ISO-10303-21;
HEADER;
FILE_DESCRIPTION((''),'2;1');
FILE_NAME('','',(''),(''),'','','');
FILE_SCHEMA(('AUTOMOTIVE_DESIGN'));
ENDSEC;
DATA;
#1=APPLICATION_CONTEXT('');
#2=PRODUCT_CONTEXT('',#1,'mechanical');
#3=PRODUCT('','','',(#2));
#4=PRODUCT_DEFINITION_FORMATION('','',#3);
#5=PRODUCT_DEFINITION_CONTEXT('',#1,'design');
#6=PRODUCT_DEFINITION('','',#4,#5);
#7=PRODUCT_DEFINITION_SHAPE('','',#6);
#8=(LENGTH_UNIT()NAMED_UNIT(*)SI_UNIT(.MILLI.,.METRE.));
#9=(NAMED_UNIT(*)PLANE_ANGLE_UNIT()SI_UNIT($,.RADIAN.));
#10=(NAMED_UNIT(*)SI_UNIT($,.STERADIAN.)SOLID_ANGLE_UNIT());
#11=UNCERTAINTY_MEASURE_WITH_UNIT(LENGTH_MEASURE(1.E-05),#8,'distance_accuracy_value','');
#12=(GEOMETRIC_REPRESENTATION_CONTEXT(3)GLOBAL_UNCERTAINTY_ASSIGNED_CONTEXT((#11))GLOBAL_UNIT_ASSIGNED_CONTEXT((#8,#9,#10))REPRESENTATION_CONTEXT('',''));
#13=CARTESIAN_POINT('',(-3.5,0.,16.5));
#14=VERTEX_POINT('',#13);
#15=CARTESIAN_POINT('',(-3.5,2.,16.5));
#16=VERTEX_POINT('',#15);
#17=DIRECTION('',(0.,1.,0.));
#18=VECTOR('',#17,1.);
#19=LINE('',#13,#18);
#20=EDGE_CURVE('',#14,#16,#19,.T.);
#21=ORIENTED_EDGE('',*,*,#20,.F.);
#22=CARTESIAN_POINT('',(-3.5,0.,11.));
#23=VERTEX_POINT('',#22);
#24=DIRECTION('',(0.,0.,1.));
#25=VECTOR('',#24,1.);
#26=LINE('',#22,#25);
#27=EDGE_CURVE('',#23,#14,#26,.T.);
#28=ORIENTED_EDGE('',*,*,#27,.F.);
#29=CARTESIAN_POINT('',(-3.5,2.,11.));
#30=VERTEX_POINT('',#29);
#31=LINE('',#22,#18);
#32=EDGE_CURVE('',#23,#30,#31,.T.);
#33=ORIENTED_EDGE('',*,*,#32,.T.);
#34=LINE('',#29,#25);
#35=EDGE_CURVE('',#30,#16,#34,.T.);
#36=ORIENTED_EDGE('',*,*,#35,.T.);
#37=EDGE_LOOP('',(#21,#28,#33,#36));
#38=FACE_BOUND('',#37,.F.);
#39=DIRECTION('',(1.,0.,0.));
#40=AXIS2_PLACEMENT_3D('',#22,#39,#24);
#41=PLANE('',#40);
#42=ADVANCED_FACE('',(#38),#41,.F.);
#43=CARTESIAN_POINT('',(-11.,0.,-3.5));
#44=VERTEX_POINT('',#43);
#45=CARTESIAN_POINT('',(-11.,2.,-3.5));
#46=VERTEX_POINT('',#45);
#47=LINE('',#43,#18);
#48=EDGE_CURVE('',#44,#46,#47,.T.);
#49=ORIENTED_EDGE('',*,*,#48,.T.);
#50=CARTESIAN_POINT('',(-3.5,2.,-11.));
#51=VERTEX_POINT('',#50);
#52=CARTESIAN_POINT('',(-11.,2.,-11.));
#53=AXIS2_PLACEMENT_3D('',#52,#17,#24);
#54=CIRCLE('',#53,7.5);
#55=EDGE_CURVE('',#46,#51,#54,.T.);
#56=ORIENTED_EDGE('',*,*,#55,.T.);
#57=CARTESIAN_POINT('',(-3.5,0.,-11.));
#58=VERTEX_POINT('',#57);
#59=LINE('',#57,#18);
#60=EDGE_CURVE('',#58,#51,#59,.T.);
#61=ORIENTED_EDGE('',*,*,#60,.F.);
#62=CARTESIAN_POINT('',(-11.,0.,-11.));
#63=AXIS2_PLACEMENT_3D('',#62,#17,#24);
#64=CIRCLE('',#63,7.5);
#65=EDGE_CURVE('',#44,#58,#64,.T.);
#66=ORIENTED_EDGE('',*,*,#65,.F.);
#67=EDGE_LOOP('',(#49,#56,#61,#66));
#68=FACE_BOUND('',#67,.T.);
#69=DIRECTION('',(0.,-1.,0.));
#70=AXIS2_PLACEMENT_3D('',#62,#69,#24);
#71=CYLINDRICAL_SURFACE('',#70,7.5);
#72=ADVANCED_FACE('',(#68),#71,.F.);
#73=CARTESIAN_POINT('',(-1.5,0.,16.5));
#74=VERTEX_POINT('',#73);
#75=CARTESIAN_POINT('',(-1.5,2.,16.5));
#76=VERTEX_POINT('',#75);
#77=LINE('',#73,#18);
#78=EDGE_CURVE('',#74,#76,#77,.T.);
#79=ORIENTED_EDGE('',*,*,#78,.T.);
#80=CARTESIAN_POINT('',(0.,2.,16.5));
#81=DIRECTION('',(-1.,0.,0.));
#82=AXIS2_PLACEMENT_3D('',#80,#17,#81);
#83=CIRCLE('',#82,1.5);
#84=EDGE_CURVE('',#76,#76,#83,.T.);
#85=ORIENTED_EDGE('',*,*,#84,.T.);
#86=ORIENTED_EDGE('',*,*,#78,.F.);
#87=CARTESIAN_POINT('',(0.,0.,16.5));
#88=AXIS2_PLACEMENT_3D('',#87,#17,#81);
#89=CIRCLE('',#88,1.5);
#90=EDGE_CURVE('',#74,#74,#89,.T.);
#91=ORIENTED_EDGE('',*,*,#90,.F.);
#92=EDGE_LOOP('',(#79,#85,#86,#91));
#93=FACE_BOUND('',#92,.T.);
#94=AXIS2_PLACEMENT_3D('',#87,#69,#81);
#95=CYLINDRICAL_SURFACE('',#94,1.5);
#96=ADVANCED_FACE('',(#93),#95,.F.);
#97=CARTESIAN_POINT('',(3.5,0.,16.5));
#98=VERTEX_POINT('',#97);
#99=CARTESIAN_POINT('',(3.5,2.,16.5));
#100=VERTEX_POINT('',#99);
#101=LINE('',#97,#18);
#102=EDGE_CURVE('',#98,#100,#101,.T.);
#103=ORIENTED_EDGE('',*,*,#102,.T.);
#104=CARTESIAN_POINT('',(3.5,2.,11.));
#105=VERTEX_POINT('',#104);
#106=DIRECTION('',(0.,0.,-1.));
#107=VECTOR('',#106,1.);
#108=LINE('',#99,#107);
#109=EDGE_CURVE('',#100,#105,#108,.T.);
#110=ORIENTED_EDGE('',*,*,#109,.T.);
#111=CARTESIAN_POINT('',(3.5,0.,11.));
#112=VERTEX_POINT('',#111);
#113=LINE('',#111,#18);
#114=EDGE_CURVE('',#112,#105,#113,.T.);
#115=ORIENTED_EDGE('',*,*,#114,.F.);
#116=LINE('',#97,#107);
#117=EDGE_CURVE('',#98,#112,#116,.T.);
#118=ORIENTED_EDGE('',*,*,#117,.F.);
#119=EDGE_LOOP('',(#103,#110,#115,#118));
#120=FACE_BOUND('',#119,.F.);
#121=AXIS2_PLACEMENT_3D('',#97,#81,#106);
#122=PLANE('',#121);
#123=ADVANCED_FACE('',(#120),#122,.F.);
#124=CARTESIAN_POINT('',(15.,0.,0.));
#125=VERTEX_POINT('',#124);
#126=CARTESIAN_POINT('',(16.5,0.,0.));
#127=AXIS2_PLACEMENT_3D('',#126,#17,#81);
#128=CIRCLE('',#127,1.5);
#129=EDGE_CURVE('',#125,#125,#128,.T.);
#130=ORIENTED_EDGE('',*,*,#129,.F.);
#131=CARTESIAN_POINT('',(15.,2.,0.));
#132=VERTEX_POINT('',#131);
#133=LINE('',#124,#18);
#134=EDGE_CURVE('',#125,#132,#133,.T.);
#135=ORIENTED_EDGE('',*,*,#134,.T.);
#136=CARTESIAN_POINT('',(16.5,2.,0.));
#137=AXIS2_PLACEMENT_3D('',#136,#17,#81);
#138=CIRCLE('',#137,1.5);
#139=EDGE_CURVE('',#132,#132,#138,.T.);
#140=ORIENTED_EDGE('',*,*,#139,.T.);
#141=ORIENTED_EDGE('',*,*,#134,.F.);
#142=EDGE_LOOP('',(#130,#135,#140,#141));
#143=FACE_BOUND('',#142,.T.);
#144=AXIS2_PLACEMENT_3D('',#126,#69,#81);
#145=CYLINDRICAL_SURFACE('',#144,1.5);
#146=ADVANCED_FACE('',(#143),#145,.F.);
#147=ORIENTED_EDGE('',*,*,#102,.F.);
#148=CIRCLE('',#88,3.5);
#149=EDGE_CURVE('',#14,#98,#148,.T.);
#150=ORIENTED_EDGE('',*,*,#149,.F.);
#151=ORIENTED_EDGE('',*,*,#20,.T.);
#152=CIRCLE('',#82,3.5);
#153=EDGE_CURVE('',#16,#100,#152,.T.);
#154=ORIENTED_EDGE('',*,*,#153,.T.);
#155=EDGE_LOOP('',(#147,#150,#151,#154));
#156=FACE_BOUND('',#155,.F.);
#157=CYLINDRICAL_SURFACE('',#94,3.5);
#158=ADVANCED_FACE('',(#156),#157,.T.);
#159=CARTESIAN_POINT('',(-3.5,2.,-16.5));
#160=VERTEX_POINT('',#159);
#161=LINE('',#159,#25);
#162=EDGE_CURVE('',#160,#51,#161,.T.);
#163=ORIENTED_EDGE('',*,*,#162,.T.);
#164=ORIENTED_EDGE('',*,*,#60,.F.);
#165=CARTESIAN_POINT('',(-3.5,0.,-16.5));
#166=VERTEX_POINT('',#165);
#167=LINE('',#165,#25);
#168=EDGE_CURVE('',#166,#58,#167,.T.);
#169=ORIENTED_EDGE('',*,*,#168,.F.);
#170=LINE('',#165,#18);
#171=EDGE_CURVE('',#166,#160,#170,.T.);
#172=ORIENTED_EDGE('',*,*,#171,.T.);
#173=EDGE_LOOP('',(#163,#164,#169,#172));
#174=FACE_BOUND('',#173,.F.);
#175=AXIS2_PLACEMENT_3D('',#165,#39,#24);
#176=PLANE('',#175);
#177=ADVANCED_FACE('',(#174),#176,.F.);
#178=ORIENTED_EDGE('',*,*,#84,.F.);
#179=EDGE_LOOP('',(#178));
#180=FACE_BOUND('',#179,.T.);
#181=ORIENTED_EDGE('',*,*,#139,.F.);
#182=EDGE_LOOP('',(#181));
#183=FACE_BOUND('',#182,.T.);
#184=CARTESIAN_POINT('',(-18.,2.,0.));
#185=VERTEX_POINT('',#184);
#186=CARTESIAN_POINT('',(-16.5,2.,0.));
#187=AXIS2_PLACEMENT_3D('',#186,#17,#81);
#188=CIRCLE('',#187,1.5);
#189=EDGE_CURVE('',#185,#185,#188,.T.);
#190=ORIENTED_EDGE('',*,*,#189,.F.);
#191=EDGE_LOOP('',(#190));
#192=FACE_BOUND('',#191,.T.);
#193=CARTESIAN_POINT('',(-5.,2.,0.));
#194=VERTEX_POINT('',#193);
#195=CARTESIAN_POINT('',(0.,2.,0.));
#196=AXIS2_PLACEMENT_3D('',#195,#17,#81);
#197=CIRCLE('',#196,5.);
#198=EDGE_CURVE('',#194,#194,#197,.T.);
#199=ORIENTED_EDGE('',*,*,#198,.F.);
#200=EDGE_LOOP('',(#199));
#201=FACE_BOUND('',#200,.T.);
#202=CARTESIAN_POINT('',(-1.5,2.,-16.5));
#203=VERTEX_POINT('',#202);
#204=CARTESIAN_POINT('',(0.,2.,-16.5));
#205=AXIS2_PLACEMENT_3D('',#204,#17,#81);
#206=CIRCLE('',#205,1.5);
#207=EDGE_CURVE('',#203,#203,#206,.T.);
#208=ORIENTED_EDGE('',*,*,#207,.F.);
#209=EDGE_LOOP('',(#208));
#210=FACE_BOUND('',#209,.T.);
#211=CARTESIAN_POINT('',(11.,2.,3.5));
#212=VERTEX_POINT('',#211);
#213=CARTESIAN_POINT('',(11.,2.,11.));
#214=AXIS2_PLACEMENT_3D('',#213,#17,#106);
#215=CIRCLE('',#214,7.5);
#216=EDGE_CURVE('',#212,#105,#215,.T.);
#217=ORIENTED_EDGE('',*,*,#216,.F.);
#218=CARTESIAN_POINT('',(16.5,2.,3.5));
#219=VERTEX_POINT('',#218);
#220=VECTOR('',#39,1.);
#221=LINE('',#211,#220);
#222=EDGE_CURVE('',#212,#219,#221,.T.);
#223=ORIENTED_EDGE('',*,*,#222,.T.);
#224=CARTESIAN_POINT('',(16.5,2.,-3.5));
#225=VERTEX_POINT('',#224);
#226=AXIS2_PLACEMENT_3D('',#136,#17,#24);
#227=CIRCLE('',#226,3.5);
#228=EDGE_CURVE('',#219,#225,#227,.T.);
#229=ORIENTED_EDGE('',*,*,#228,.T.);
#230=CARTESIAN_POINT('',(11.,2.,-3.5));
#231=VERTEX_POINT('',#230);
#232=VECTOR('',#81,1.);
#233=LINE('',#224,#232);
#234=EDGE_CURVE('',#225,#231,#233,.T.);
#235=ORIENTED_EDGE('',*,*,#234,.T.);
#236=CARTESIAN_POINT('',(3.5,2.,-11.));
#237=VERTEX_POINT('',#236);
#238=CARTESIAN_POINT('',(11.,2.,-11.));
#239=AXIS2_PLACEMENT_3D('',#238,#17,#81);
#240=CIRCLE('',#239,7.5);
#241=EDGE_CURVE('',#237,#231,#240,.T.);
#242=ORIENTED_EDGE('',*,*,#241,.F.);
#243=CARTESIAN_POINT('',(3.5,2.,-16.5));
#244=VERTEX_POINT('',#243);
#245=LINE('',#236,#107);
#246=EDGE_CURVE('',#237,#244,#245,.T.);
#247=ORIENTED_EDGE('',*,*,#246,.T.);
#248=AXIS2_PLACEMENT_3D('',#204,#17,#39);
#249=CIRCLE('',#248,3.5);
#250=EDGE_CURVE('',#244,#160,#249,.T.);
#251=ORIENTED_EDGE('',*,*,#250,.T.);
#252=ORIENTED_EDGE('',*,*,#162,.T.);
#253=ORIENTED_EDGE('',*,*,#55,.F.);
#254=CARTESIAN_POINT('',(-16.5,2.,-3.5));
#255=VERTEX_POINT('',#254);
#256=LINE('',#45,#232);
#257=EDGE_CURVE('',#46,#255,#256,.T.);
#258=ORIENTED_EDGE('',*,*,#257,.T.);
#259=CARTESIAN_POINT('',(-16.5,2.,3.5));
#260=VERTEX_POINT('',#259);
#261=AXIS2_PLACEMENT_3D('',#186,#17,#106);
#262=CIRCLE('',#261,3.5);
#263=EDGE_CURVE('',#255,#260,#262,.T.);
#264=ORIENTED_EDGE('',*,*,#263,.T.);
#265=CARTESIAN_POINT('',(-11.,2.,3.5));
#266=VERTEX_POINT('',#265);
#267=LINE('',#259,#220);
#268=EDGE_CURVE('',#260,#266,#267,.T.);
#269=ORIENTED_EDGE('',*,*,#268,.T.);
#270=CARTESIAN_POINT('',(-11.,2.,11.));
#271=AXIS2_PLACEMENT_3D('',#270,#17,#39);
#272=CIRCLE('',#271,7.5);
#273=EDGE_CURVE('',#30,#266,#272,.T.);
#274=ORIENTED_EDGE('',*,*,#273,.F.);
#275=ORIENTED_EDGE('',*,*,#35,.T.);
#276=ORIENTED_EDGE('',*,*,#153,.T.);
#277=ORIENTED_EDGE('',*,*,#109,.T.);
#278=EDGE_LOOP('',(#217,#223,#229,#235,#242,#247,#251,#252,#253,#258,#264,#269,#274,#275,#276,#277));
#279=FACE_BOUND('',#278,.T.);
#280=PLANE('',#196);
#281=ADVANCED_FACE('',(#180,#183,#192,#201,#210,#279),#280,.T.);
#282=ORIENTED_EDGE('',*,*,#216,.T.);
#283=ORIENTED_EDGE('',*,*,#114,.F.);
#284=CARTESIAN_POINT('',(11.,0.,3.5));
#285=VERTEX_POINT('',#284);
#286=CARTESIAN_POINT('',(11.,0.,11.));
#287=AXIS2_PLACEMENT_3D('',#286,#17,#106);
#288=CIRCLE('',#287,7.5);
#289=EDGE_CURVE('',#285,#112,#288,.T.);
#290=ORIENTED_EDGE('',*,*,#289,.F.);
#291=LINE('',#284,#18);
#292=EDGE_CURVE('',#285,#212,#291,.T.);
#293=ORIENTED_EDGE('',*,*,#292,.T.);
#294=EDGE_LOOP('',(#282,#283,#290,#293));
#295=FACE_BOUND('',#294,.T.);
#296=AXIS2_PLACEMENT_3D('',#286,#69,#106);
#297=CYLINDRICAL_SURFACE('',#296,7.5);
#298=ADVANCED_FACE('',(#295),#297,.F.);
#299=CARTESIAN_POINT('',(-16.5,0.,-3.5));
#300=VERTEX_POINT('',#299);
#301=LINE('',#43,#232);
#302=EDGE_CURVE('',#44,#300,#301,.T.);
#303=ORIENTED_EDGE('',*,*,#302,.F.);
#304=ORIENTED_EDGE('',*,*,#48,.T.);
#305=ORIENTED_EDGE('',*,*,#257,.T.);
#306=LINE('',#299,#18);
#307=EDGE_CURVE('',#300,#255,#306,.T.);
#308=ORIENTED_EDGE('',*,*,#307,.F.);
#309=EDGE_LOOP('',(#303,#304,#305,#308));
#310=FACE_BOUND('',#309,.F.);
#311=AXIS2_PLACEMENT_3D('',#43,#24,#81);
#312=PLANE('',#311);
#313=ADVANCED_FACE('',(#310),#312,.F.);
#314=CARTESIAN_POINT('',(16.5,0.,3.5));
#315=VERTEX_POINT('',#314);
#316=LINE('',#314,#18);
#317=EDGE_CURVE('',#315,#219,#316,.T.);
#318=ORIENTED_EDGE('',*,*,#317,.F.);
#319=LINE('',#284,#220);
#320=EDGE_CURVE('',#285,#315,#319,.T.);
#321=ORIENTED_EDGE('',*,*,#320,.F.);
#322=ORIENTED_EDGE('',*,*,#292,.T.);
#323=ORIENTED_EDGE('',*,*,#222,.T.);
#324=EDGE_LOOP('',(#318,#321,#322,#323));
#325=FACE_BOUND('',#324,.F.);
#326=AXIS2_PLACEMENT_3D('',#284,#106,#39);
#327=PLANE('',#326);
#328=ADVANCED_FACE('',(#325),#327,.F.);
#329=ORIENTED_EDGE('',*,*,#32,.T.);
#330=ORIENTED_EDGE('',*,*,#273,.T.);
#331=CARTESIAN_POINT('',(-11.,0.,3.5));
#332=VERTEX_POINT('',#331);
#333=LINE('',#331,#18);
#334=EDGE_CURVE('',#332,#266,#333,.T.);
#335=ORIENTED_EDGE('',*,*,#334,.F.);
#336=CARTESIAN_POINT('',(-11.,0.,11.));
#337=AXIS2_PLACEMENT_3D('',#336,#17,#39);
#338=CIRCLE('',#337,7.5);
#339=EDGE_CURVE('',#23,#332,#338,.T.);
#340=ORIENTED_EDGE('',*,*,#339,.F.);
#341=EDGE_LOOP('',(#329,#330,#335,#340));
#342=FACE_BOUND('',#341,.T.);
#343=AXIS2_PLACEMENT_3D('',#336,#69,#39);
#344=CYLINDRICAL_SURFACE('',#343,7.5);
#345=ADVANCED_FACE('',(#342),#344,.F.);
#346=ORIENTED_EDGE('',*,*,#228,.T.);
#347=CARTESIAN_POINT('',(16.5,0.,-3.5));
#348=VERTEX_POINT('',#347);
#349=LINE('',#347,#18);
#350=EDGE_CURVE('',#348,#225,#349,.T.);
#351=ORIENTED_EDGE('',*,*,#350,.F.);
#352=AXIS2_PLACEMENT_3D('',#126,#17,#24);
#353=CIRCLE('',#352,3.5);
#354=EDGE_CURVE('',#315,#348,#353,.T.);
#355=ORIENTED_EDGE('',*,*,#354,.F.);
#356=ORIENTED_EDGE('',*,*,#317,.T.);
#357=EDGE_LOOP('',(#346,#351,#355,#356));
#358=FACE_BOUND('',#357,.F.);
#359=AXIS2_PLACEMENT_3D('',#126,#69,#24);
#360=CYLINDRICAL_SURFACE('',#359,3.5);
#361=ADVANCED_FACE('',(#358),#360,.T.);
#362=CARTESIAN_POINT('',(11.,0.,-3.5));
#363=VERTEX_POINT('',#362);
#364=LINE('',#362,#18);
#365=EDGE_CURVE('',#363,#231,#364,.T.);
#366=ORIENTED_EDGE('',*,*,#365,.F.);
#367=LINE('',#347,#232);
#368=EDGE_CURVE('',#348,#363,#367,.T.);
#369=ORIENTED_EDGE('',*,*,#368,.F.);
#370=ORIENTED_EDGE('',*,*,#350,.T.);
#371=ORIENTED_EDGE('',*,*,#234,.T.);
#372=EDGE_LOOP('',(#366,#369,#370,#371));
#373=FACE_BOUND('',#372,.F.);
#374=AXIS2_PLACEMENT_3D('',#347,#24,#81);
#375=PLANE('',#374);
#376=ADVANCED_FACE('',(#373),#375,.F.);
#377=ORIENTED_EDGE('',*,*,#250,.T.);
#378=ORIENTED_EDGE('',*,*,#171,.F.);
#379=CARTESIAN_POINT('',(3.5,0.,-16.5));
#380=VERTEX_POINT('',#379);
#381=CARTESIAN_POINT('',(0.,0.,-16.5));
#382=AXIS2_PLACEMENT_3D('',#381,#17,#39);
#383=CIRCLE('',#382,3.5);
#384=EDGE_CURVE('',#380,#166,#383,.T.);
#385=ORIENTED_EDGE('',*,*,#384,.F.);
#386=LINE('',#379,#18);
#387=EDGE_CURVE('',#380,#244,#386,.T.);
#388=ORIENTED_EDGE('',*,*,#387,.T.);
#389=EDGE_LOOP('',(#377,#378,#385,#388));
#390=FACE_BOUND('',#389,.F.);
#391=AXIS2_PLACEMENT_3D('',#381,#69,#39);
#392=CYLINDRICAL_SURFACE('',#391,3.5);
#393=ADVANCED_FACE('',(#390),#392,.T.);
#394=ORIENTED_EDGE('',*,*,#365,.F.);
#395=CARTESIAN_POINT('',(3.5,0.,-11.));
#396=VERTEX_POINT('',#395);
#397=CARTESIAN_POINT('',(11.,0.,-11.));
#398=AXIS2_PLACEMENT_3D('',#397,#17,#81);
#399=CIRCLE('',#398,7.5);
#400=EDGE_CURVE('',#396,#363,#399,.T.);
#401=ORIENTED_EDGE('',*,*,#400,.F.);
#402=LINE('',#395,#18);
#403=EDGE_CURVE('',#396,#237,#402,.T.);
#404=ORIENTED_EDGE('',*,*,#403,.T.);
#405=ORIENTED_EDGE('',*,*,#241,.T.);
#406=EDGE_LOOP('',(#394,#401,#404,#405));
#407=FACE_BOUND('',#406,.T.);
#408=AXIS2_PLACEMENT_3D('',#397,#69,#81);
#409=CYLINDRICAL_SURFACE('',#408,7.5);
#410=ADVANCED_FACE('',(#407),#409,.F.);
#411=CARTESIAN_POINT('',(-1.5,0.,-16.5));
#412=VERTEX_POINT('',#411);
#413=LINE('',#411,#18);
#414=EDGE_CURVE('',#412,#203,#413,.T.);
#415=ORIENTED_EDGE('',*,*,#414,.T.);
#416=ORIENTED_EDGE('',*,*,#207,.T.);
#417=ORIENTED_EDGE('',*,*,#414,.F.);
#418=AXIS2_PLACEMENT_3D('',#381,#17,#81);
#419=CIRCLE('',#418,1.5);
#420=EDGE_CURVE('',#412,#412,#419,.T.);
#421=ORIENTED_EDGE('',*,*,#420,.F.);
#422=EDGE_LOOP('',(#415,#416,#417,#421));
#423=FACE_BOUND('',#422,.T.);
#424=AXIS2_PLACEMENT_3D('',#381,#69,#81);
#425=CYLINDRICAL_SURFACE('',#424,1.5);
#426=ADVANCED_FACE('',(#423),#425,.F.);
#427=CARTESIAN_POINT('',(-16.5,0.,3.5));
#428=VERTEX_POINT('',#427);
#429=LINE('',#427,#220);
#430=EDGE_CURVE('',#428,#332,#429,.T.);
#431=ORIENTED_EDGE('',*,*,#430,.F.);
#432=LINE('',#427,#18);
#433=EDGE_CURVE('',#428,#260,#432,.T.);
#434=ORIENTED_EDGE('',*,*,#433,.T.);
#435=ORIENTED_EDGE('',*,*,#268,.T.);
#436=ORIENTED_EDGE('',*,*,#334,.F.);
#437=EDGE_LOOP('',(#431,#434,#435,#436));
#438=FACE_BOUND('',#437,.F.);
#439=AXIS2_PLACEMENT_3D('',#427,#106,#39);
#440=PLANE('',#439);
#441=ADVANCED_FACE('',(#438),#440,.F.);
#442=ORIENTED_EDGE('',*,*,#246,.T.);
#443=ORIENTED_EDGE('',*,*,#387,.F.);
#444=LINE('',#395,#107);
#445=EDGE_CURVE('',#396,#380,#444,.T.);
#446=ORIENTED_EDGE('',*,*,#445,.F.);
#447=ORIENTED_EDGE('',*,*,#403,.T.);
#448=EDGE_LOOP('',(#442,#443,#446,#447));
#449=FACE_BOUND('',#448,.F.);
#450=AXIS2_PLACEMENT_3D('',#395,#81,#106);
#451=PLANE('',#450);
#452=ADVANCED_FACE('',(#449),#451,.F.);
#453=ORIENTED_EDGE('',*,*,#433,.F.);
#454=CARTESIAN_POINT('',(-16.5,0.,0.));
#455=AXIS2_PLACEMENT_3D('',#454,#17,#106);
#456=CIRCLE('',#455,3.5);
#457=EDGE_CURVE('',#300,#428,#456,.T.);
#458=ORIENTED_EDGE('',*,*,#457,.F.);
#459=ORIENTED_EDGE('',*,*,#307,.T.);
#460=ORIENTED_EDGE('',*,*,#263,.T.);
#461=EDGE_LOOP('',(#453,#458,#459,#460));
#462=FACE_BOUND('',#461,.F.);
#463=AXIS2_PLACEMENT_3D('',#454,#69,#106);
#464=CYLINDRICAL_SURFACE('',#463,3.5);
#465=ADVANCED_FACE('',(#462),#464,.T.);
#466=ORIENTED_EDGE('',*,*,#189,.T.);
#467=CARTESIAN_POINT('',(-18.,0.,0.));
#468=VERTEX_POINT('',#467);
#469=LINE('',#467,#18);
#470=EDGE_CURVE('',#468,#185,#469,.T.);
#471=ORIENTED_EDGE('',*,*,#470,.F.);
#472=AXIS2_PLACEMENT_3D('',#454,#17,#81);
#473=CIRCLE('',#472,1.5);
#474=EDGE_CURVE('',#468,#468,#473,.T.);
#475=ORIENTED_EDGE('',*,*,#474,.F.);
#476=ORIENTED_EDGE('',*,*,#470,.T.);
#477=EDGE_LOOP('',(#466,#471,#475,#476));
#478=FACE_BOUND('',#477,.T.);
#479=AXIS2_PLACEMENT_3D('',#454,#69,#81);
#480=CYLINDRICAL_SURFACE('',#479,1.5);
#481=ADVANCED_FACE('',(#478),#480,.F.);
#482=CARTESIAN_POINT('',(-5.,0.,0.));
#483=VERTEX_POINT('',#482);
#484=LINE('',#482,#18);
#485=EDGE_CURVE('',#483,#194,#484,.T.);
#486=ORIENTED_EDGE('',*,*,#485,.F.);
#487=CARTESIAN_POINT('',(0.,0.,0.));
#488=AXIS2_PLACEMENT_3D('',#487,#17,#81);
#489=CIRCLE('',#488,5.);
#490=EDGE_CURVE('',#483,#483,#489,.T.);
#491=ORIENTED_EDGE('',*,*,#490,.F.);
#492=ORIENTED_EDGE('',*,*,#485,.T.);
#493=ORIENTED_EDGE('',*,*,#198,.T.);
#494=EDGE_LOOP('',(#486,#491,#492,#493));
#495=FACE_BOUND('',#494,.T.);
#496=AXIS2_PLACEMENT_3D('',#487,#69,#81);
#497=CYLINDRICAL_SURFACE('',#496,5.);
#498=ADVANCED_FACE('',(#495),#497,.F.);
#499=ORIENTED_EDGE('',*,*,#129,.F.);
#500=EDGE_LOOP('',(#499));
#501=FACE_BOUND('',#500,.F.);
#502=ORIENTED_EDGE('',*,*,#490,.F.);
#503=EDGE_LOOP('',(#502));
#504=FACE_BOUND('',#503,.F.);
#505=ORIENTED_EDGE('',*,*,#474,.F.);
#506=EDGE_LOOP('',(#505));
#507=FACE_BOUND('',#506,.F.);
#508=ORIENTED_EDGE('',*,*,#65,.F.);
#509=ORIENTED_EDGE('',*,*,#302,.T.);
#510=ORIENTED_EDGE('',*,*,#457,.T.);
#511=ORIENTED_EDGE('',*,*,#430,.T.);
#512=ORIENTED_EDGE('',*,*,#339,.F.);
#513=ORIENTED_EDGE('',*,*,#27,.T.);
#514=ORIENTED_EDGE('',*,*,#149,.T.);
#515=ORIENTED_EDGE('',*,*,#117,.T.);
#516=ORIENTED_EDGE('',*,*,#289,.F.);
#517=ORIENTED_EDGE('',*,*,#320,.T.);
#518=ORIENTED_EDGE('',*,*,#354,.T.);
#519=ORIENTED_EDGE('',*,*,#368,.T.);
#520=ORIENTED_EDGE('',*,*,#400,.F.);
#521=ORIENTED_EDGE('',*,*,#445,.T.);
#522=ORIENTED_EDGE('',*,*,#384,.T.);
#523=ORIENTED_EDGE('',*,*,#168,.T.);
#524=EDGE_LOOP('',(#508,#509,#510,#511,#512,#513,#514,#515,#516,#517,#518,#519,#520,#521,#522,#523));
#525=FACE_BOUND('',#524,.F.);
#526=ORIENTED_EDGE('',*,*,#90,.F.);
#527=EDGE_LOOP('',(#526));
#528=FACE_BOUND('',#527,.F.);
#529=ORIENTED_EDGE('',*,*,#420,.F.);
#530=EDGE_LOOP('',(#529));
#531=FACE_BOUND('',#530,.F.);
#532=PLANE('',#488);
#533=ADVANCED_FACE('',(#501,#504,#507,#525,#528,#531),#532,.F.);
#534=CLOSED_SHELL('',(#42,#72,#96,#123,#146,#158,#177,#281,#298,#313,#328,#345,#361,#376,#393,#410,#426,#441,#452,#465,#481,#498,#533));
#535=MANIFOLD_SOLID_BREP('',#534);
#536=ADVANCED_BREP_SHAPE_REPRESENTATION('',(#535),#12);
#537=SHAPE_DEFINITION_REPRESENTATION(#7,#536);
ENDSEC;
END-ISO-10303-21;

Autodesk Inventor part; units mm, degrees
ref_plane "YZ Plane" through (0, 0, 0) normal (1, 0, 0) x (0, 1, 0)
ref_plane "XZ Plane" through (0, 0, 0) normal (0, 1, 0) x (-1, 0, 0)
ref_plane "XY Plane" through (0, 0, 0) normal (0, 0, 1) x (1, 0, 0)
sketch "Boceto1" plane through (0, 0, 0) normal (0, 1, 0) x (-1, 0, 0)
  circle A0 centre (16.5, 0) radius 1.5
  circle A1 centre (0, -16.5) radius 1.5
  circle A2 centre (-16.5, 0) radius 1.5
  circle A3 centre (0, 16.5) radius 1.5
  line L0 (3.5, 11) -> (3.5, 16.5)
  line L1 (3.5, -16.5) -> (3.5, -11)
  line L2 (11, -3.5) -> (16.5, -3.5)
  line L3 (-16.5, -3.5) -> (-11, -3.5)
  arc A4 (3.5, 16.5) -> (-3.5, 16.5) centre (0, 16.5) ccw
  arc A5 (16.5, -3.5) -> (16.5, 3.5) centre (16.5, 0) ccw
  arc A6 (-3.5, -16.5) -> (3.5, -16.5) centre (0, -16.5) ccw
  arc A7 (-16.5, 3.5) -> (-16.5, -3.5) centre (-16.5, 0) ccw
  line L4 (16.5, 3.5) -> (11, 3.5)
  line L5 (-11, 3.5) -> (-16.5, 3.5)
  line L6 (-3.5, 16.5) -> (-3.5, 11)
  line L7 (-3.5, -11) -> (-3.5, -16.5)
  arc A8 (11, -3.5) -> (3.5, -11) centre (11, -11) ccw
  arc A9 (-3.5, -11) -> (-11, -3.5) centre (-11, -11) ccw
  arc A10 (-11, 3.5) -> (-3.5, 11) centre (-11, 11) ccw
  arc A11 (3.5, 11) -> (11, 3.5) centre (11, 11) ccw
  circle A12 centre (0, 0) radius 5
  dimension "d12" = 7.5
  dimension "d15" = 10
extrude "Extrusión1" add sketch "Boceto1" along normal blind 2
properties part number "Base Motor"
